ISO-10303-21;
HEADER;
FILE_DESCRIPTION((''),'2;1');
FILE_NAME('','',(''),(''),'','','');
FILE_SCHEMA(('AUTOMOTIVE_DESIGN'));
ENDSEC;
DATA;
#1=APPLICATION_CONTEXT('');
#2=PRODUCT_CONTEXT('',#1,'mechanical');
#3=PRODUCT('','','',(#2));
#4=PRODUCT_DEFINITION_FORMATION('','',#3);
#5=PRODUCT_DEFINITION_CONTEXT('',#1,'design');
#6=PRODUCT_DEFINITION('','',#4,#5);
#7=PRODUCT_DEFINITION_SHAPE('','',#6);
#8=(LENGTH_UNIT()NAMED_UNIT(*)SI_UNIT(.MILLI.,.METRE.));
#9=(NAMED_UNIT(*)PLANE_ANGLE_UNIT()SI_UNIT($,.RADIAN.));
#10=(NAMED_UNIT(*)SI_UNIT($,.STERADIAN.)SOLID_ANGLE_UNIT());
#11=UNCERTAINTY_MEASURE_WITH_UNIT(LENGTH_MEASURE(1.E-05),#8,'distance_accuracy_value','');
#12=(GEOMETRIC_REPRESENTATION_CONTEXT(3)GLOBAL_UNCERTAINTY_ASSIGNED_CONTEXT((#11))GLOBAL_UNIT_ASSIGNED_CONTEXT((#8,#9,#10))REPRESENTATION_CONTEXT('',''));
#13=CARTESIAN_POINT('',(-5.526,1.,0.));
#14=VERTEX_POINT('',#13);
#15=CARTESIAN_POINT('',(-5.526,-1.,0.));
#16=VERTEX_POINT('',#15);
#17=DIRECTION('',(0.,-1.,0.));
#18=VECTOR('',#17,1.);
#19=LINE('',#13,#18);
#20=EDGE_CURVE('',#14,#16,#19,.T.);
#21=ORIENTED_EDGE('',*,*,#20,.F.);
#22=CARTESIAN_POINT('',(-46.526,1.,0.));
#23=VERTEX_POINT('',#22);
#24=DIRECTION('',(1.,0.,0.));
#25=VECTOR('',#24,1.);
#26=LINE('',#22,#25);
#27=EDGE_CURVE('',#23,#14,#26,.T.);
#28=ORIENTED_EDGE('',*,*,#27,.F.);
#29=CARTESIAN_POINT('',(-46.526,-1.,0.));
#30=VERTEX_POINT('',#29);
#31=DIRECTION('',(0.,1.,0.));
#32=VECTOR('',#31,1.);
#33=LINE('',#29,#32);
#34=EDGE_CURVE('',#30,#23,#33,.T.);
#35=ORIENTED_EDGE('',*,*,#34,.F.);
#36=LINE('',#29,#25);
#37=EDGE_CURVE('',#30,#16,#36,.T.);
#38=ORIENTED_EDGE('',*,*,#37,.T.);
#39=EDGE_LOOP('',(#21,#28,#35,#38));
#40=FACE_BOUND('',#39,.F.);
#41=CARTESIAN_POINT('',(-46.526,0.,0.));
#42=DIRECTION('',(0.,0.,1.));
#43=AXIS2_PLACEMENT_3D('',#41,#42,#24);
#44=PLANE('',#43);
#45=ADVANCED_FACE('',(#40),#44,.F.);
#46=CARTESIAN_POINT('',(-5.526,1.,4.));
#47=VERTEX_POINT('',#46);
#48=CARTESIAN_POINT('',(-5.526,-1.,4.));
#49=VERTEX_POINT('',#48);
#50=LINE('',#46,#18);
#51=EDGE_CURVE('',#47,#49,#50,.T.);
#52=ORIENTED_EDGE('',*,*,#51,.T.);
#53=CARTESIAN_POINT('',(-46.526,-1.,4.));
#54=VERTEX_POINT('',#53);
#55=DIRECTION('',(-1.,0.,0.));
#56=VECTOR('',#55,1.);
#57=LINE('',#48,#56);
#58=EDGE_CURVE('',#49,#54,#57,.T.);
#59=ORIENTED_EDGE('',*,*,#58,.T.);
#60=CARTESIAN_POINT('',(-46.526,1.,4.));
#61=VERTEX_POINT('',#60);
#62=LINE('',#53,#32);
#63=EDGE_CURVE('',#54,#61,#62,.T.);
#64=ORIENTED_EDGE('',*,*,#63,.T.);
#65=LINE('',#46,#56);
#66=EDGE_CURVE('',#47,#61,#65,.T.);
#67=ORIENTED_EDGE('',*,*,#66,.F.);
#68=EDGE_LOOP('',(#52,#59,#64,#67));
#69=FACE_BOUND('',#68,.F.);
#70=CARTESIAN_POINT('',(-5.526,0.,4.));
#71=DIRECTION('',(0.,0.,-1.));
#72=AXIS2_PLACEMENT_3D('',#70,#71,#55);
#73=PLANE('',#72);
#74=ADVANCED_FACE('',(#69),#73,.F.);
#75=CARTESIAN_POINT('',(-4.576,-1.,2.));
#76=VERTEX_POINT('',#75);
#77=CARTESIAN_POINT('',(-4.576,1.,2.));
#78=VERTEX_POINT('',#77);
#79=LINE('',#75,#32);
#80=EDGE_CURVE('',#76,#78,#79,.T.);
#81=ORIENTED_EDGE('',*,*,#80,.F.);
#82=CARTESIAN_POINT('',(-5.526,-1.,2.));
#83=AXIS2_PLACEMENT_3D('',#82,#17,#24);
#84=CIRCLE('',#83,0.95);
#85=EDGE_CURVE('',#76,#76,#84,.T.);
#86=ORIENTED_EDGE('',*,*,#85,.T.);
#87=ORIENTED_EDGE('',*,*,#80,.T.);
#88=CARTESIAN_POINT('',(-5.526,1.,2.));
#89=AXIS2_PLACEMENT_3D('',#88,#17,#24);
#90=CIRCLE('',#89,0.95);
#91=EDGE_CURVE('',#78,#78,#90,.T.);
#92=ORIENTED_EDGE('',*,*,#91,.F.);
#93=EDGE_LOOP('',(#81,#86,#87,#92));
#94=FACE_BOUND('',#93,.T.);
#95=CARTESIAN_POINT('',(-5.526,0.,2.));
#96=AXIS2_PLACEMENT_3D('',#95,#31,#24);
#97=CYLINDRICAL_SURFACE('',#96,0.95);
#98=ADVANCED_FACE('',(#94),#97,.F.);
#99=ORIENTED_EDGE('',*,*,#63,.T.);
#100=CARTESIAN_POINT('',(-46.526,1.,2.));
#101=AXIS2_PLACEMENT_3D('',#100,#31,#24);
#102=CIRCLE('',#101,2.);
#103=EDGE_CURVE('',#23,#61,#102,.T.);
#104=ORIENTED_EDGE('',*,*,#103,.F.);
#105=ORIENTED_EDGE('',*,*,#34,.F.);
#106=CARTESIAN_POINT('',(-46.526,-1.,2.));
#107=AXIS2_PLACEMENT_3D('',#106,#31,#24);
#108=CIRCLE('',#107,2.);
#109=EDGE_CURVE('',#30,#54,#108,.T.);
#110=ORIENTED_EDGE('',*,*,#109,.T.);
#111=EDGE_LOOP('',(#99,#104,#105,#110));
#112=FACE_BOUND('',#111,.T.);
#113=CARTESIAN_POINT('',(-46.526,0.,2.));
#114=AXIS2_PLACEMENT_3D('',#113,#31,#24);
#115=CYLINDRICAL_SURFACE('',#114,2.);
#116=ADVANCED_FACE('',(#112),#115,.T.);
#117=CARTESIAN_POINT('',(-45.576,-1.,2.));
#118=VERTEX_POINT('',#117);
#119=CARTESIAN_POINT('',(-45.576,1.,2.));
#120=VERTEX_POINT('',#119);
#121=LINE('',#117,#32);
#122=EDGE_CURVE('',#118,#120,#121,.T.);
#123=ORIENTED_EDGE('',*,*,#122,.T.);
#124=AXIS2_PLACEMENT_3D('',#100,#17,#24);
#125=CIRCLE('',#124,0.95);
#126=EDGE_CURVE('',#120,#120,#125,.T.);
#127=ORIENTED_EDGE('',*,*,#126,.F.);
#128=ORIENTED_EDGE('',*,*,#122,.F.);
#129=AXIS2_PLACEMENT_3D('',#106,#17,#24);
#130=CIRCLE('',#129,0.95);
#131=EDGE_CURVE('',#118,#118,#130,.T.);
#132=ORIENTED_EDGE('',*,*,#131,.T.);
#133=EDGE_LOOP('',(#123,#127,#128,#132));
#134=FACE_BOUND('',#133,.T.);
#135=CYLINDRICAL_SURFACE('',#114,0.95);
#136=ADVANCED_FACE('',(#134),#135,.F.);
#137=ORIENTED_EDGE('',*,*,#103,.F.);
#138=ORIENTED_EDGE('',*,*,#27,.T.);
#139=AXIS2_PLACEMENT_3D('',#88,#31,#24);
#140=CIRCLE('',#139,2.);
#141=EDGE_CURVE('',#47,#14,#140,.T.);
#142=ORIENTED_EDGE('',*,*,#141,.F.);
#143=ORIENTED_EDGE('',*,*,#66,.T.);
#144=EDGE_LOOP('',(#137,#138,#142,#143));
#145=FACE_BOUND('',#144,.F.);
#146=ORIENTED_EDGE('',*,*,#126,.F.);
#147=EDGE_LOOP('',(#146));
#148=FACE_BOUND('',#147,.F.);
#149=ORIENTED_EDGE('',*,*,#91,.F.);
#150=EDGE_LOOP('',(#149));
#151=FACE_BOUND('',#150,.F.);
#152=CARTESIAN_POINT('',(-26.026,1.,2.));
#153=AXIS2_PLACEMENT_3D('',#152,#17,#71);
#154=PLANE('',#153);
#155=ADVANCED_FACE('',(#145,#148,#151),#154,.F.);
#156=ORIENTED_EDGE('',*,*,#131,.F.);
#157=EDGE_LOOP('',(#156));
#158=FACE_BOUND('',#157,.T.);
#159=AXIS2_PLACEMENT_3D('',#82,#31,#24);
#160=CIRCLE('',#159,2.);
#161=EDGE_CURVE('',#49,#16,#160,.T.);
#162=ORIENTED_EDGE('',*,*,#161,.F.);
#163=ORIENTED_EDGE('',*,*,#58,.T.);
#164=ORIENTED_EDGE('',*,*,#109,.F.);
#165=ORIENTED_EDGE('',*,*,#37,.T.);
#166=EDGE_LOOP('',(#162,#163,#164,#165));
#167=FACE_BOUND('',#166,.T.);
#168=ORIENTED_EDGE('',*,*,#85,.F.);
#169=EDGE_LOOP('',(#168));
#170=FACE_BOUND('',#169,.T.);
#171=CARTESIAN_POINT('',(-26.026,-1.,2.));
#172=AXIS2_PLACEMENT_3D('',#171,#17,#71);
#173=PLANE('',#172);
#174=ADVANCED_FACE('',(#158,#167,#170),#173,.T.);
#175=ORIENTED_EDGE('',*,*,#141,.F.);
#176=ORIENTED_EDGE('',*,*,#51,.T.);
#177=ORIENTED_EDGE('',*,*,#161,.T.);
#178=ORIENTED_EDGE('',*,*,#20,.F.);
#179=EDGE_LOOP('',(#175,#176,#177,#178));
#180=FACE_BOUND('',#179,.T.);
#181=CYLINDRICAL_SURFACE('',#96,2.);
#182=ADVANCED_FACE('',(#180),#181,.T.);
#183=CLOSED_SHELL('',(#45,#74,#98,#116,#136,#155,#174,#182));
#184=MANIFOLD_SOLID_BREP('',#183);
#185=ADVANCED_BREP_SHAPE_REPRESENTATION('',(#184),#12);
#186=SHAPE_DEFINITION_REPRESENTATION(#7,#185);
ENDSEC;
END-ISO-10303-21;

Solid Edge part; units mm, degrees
sketch "Sketch1" plane through (0, 0, 0) normal (0, -1, 0) x (1, 0, 0)
  line L0 (-46.526, 0) -> (-5.526, 0)
  arc A0 (-5.526, 4) -> (-5.526, 0) centre (-5.526, 2) cw
  line L1 (-5.526, 4) -> (-46.526, 4)
  arc A1 (-46.526, 0) -> (-46.526, 4) centre (-46.526, 2) cw
  circle A2 centre (-46.526, 2) radius 0.95
  circle A3 centre (-5.526, 2) radius 0.95
extrude "Protrusion1" add sketch "Sketch1" along normal mid plane 2
properties material "Stainless Steel, 420"
